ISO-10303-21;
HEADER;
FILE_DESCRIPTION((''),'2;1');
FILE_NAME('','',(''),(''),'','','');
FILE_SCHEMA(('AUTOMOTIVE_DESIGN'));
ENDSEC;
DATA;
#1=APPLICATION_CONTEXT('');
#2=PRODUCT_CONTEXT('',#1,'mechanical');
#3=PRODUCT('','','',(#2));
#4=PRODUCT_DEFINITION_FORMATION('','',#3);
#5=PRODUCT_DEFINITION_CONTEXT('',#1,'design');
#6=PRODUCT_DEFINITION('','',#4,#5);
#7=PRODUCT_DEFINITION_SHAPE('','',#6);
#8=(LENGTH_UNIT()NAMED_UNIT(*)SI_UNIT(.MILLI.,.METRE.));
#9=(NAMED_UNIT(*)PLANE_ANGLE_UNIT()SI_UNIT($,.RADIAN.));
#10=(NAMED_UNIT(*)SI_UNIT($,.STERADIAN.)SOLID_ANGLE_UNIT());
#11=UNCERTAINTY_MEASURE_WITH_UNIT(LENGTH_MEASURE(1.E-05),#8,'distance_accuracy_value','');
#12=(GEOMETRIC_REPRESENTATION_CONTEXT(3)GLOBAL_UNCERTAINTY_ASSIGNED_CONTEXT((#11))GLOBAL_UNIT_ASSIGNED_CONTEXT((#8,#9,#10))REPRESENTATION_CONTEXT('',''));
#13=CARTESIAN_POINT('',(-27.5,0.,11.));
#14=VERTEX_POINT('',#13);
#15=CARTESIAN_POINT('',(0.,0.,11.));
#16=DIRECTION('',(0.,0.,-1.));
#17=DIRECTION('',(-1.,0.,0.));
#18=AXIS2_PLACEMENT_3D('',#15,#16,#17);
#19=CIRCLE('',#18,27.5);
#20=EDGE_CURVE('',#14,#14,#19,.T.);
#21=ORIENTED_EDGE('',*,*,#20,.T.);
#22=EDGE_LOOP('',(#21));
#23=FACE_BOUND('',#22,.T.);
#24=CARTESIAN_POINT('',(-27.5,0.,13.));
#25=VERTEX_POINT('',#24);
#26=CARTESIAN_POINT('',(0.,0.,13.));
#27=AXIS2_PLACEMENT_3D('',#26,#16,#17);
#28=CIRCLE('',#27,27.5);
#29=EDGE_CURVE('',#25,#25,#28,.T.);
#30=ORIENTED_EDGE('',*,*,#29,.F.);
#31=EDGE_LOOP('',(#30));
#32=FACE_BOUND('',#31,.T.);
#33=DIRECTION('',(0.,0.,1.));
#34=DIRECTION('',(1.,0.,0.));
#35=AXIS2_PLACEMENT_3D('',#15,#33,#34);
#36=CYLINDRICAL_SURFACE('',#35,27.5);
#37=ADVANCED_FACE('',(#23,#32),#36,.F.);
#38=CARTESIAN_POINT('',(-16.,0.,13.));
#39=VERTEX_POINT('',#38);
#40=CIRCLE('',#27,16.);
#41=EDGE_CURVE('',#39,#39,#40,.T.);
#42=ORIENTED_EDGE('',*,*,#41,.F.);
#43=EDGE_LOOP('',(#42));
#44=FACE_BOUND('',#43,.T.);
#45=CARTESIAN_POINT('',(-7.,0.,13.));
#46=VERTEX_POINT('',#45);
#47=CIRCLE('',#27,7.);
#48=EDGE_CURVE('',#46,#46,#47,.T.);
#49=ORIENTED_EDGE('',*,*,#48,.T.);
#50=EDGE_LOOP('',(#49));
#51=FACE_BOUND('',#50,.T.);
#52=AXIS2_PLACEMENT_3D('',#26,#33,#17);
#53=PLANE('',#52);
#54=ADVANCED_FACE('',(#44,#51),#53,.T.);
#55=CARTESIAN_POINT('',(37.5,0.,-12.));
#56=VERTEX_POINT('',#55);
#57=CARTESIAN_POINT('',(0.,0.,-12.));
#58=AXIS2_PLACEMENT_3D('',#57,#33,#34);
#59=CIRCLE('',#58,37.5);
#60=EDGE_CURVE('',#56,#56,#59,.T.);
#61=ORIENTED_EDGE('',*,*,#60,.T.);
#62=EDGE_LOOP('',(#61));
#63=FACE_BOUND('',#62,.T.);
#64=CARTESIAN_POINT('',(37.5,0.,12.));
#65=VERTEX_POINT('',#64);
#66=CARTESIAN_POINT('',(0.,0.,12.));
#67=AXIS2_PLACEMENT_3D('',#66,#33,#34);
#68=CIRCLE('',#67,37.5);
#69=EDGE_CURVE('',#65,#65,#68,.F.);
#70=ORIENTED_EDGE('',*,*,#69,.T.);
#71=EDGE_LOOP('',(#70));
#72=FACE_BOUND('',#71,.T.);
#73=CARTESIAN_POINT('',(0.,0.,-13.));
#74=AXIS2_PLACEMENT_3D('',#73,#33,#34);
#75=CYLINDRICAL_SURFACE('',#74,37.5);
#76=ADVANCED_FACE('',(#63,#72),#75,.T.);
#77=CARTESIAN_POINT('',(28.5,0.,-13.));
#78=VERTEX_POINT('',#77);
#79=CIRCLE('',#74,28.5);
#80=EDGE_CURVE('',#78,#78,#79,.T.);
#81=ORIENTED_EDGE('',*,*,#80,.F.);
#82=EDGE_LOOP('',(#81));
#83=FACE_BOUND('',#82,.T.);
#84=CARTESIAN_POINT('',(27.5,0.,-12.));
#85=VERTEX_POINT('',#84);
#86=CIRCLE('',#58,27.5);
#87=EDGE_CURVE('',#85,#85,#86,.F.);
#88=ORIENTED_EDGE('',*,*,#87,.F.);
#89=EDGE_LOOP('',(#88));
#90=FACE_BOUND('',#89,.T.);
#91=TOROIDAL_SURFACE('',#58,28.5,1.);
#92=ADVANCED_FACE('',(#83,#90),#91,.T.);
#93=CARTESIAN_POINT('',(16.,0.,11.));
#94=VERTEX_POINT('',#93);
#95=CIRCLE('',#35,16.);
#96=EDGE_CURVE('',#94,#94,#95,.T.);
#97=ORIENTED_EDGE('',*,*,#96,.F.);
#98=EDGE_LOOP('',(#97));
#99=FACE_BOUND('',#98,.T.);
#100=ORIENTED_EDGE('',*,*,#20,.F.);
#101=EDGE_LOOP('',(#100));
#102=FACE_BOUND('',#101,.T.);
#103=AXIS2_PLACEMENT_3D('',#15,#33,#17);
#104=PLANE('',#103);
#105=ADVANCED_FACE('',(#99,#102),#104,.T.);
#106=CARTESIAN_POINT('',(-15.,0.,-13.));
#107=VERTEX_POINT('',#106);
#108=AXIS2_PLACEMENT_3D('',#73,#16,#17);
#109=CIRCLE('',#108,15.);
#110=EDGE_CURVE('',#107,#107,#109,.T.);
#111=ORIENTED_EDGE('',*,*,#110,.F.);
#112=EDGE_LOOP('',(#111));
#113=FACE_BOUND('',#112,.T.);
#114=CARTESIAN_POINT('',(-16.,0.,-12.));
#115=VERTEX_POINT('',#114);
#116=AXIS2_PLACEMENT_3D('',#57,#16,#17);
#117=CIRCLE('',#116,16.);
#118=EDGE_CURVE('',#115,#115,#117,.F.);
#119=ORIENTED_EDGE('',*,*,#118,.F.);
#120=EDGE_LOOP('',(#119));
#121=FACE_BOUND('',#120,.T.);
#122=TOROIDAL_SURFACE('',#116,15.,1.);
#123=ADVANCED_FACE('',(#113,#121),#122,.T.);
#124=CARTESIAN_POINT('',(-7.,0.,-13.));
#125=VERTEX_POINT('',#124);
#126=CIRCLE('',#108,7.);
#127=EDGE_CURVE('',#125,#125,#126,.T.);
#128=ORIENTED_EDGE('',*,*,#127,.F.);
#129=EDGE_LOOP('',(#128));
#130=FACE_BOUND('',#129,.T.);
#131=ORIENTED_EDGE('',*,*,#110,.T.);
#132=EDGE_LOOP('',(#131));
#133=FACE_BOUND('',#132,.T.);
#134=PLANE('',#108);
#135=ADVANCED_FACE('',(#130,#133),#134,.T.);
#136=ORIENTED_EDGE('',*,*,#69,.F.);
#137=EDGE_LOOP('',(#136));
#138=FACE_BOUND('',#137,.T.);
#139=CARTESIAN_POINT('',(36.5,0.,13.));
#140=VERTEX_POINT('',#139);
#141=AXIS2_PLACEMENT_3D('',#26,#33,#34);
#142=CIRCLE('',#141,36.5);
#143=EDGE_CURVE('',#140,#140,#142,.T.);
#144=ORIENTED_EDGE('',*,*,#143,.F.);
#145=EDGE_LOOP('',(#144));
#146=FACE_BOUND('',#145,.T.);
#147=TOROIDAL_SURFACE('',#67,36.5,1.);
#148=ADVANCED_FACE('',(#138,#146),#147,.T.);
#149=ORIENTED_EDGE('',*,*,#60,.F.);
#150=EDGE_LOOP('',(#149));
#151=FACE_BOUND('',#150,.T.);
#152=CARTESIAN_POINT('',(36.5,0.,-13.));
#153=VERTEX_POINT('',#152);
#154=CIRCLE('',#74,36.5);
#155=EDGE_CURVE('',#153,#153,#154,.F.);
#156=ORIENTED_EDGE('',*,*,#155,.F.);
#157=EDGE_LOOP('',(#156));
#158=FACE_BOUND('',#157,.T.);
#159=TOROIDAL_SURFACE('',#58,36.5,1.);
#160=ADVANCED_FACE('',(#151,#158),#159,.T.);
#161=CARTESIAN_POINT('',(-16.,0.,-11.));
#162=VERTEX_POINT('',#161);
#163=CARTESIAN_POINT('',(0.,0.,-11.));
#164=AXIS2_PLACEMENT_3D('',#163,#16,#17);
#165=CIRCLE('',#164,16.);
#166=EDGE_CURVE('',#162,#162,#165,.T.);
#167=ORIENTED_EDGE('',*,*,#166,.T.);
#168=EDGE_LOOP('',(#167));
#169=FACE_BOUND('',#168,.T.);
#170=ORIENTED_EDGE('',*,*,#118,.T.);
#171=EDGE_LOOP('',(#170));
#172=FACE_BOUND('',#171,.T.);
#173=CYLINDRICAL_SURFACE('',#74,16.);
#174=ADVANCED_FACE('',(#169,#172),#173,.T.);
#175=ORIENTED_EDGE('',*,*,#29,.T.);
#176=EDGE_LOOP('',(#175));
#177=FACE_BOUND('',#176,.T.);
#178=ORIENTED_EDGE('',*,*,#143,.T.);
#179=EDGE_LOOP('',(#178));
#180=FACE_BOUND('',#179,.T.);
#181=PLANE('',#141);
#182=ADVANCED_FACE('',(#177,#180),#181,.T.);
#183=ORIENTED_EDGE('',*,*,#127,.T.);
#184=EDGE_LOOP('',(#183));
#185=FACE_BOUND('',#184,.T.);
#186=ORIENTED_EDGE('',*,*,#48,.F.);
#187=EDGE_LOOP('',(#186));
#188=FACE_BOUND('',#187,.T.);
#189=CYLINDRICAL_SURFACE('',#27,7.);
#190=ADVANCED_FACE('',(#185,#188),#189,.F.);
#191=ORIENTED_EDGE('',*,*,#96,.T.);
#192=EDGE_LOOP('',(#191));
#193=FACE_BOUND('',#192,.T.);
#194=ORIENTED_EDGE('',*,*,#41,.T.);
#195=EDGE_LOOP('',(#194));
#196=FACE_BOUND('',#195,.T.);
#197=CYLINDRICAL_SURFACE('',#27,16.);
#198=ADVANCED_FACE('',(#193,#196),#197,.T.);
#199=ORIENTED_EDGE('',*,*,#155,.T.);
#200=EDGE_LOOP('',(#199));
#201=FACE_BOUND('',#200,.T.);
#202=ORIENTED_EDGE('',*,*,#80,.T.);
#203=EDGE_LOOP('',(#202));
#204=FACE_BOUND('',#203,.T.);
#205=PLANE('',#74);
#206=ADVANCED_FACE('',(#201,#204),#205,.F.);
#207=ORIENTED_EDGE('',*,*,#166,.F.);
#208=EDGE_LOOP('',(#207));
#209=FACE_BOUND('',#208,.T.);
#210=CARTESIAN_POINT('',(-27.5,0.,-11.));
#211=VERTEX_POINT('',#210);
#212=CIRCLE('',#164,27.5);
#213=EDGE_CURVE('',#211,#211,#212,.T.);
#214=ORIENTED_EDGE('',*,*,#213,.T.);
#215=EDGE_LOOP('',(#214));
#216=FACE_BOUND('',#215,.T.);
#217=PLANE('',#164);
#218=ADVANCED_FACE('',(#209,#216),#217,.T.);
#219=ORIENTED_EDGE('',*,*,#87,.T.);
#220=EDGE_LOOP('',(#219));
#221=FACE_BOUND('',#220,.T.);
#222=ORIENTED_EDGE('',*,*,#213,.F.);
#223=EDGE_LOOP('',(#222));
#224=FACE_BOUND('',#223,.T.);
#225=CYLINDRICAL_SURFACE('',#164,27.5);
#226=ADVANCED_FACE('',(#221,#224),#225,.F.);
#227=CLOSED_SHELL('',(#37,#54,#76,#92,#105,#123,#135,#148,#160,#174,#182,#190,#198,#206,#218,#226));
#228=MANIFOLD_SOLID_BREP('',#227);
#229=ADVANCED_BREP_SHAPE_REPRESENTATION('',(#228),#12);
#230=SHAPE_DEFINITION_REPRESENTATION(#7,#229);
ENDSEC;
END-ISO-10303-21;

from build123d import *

# Parameters (mm, degrees)
SKETCH1_R           = 37.5
BOSS_EXTRUDE1_DEPTH = 13
SKETCH4_R           = 27.5
CUT_EXTRUDE1_DEPTH  = 2
SKETCH5_R           = 16
BOSS_EXTRUDE2_DEPTH = 2
SKETCH6_R           = 7
CUT_EXTRUDE2_DEPTH  = 27
FILLET1_R           = 1


with BuildPart() as part:
    # Sketch1 → Boss-Extrude1 (new body, symmetric)
    with BuildSketch(Plane.XY):
        Circle(SKETCH1_R)
    extrude(amount=BOSS_EXTRUDE1_DEPTH, both=True)

    # Sketch4 → Cut-Extrude1 (cut)
    with BuildSketch(Plane(origin=(0, 0, -13), x_dir=(-1, 0, 0), z_dir=(0, 0, -1))):
        Circle(SKETCH4_R)
    cut_extrude1 = extrude(amount=-CUT_EXTRUDE1_DEPTH, mode=Mode.SUBTRACT)

    # Mirror1: Cut-Extrude1 across plane
    add(cut_extrude1.mirror(Plane.XY), mode=Mode.SUBTRACT)

    # Sketch5 → Boss-Extrude2 (add)
    with BuildSketch(Plane(origin=(0, 0, -11), x_dir=(-1, 0, 0), z_dir=(0, 0, -1))):
        Circle(SKETCH5_R)
    boss_extrude2 = extrude(amount=BOSS_EXTRUDE2_DEPTH)

    # Mirror2: Boss-Extrude2 across plane
    add(boss_extrude2.mirror(Plane.XY))

    # Sketch6 → Cut-Extrude2 (cut, through all)
    with BuildSketch(Plane(origin=(0, 0, -13), x_dir=(-1, 0, 0), z_dir=(0, 0, -1))):
        Circle(SKETCH6_R)
    extrude(amount=-CUT_EXTRUDE2_DEPTH, mode=Mode.SUBTRACT)

    # Fillet1
    fillet1_edges = [part.edges().sort_by_distance(p)[0] for p in [
        (16, 0, -13),
        (-37.5, 0, 13),
        (-37.5, 0, -13),
        (27.5, 0, -13),
    ]]
    fillet(fillet1_edges, radius=FILLET1_R)


solid = part.part
